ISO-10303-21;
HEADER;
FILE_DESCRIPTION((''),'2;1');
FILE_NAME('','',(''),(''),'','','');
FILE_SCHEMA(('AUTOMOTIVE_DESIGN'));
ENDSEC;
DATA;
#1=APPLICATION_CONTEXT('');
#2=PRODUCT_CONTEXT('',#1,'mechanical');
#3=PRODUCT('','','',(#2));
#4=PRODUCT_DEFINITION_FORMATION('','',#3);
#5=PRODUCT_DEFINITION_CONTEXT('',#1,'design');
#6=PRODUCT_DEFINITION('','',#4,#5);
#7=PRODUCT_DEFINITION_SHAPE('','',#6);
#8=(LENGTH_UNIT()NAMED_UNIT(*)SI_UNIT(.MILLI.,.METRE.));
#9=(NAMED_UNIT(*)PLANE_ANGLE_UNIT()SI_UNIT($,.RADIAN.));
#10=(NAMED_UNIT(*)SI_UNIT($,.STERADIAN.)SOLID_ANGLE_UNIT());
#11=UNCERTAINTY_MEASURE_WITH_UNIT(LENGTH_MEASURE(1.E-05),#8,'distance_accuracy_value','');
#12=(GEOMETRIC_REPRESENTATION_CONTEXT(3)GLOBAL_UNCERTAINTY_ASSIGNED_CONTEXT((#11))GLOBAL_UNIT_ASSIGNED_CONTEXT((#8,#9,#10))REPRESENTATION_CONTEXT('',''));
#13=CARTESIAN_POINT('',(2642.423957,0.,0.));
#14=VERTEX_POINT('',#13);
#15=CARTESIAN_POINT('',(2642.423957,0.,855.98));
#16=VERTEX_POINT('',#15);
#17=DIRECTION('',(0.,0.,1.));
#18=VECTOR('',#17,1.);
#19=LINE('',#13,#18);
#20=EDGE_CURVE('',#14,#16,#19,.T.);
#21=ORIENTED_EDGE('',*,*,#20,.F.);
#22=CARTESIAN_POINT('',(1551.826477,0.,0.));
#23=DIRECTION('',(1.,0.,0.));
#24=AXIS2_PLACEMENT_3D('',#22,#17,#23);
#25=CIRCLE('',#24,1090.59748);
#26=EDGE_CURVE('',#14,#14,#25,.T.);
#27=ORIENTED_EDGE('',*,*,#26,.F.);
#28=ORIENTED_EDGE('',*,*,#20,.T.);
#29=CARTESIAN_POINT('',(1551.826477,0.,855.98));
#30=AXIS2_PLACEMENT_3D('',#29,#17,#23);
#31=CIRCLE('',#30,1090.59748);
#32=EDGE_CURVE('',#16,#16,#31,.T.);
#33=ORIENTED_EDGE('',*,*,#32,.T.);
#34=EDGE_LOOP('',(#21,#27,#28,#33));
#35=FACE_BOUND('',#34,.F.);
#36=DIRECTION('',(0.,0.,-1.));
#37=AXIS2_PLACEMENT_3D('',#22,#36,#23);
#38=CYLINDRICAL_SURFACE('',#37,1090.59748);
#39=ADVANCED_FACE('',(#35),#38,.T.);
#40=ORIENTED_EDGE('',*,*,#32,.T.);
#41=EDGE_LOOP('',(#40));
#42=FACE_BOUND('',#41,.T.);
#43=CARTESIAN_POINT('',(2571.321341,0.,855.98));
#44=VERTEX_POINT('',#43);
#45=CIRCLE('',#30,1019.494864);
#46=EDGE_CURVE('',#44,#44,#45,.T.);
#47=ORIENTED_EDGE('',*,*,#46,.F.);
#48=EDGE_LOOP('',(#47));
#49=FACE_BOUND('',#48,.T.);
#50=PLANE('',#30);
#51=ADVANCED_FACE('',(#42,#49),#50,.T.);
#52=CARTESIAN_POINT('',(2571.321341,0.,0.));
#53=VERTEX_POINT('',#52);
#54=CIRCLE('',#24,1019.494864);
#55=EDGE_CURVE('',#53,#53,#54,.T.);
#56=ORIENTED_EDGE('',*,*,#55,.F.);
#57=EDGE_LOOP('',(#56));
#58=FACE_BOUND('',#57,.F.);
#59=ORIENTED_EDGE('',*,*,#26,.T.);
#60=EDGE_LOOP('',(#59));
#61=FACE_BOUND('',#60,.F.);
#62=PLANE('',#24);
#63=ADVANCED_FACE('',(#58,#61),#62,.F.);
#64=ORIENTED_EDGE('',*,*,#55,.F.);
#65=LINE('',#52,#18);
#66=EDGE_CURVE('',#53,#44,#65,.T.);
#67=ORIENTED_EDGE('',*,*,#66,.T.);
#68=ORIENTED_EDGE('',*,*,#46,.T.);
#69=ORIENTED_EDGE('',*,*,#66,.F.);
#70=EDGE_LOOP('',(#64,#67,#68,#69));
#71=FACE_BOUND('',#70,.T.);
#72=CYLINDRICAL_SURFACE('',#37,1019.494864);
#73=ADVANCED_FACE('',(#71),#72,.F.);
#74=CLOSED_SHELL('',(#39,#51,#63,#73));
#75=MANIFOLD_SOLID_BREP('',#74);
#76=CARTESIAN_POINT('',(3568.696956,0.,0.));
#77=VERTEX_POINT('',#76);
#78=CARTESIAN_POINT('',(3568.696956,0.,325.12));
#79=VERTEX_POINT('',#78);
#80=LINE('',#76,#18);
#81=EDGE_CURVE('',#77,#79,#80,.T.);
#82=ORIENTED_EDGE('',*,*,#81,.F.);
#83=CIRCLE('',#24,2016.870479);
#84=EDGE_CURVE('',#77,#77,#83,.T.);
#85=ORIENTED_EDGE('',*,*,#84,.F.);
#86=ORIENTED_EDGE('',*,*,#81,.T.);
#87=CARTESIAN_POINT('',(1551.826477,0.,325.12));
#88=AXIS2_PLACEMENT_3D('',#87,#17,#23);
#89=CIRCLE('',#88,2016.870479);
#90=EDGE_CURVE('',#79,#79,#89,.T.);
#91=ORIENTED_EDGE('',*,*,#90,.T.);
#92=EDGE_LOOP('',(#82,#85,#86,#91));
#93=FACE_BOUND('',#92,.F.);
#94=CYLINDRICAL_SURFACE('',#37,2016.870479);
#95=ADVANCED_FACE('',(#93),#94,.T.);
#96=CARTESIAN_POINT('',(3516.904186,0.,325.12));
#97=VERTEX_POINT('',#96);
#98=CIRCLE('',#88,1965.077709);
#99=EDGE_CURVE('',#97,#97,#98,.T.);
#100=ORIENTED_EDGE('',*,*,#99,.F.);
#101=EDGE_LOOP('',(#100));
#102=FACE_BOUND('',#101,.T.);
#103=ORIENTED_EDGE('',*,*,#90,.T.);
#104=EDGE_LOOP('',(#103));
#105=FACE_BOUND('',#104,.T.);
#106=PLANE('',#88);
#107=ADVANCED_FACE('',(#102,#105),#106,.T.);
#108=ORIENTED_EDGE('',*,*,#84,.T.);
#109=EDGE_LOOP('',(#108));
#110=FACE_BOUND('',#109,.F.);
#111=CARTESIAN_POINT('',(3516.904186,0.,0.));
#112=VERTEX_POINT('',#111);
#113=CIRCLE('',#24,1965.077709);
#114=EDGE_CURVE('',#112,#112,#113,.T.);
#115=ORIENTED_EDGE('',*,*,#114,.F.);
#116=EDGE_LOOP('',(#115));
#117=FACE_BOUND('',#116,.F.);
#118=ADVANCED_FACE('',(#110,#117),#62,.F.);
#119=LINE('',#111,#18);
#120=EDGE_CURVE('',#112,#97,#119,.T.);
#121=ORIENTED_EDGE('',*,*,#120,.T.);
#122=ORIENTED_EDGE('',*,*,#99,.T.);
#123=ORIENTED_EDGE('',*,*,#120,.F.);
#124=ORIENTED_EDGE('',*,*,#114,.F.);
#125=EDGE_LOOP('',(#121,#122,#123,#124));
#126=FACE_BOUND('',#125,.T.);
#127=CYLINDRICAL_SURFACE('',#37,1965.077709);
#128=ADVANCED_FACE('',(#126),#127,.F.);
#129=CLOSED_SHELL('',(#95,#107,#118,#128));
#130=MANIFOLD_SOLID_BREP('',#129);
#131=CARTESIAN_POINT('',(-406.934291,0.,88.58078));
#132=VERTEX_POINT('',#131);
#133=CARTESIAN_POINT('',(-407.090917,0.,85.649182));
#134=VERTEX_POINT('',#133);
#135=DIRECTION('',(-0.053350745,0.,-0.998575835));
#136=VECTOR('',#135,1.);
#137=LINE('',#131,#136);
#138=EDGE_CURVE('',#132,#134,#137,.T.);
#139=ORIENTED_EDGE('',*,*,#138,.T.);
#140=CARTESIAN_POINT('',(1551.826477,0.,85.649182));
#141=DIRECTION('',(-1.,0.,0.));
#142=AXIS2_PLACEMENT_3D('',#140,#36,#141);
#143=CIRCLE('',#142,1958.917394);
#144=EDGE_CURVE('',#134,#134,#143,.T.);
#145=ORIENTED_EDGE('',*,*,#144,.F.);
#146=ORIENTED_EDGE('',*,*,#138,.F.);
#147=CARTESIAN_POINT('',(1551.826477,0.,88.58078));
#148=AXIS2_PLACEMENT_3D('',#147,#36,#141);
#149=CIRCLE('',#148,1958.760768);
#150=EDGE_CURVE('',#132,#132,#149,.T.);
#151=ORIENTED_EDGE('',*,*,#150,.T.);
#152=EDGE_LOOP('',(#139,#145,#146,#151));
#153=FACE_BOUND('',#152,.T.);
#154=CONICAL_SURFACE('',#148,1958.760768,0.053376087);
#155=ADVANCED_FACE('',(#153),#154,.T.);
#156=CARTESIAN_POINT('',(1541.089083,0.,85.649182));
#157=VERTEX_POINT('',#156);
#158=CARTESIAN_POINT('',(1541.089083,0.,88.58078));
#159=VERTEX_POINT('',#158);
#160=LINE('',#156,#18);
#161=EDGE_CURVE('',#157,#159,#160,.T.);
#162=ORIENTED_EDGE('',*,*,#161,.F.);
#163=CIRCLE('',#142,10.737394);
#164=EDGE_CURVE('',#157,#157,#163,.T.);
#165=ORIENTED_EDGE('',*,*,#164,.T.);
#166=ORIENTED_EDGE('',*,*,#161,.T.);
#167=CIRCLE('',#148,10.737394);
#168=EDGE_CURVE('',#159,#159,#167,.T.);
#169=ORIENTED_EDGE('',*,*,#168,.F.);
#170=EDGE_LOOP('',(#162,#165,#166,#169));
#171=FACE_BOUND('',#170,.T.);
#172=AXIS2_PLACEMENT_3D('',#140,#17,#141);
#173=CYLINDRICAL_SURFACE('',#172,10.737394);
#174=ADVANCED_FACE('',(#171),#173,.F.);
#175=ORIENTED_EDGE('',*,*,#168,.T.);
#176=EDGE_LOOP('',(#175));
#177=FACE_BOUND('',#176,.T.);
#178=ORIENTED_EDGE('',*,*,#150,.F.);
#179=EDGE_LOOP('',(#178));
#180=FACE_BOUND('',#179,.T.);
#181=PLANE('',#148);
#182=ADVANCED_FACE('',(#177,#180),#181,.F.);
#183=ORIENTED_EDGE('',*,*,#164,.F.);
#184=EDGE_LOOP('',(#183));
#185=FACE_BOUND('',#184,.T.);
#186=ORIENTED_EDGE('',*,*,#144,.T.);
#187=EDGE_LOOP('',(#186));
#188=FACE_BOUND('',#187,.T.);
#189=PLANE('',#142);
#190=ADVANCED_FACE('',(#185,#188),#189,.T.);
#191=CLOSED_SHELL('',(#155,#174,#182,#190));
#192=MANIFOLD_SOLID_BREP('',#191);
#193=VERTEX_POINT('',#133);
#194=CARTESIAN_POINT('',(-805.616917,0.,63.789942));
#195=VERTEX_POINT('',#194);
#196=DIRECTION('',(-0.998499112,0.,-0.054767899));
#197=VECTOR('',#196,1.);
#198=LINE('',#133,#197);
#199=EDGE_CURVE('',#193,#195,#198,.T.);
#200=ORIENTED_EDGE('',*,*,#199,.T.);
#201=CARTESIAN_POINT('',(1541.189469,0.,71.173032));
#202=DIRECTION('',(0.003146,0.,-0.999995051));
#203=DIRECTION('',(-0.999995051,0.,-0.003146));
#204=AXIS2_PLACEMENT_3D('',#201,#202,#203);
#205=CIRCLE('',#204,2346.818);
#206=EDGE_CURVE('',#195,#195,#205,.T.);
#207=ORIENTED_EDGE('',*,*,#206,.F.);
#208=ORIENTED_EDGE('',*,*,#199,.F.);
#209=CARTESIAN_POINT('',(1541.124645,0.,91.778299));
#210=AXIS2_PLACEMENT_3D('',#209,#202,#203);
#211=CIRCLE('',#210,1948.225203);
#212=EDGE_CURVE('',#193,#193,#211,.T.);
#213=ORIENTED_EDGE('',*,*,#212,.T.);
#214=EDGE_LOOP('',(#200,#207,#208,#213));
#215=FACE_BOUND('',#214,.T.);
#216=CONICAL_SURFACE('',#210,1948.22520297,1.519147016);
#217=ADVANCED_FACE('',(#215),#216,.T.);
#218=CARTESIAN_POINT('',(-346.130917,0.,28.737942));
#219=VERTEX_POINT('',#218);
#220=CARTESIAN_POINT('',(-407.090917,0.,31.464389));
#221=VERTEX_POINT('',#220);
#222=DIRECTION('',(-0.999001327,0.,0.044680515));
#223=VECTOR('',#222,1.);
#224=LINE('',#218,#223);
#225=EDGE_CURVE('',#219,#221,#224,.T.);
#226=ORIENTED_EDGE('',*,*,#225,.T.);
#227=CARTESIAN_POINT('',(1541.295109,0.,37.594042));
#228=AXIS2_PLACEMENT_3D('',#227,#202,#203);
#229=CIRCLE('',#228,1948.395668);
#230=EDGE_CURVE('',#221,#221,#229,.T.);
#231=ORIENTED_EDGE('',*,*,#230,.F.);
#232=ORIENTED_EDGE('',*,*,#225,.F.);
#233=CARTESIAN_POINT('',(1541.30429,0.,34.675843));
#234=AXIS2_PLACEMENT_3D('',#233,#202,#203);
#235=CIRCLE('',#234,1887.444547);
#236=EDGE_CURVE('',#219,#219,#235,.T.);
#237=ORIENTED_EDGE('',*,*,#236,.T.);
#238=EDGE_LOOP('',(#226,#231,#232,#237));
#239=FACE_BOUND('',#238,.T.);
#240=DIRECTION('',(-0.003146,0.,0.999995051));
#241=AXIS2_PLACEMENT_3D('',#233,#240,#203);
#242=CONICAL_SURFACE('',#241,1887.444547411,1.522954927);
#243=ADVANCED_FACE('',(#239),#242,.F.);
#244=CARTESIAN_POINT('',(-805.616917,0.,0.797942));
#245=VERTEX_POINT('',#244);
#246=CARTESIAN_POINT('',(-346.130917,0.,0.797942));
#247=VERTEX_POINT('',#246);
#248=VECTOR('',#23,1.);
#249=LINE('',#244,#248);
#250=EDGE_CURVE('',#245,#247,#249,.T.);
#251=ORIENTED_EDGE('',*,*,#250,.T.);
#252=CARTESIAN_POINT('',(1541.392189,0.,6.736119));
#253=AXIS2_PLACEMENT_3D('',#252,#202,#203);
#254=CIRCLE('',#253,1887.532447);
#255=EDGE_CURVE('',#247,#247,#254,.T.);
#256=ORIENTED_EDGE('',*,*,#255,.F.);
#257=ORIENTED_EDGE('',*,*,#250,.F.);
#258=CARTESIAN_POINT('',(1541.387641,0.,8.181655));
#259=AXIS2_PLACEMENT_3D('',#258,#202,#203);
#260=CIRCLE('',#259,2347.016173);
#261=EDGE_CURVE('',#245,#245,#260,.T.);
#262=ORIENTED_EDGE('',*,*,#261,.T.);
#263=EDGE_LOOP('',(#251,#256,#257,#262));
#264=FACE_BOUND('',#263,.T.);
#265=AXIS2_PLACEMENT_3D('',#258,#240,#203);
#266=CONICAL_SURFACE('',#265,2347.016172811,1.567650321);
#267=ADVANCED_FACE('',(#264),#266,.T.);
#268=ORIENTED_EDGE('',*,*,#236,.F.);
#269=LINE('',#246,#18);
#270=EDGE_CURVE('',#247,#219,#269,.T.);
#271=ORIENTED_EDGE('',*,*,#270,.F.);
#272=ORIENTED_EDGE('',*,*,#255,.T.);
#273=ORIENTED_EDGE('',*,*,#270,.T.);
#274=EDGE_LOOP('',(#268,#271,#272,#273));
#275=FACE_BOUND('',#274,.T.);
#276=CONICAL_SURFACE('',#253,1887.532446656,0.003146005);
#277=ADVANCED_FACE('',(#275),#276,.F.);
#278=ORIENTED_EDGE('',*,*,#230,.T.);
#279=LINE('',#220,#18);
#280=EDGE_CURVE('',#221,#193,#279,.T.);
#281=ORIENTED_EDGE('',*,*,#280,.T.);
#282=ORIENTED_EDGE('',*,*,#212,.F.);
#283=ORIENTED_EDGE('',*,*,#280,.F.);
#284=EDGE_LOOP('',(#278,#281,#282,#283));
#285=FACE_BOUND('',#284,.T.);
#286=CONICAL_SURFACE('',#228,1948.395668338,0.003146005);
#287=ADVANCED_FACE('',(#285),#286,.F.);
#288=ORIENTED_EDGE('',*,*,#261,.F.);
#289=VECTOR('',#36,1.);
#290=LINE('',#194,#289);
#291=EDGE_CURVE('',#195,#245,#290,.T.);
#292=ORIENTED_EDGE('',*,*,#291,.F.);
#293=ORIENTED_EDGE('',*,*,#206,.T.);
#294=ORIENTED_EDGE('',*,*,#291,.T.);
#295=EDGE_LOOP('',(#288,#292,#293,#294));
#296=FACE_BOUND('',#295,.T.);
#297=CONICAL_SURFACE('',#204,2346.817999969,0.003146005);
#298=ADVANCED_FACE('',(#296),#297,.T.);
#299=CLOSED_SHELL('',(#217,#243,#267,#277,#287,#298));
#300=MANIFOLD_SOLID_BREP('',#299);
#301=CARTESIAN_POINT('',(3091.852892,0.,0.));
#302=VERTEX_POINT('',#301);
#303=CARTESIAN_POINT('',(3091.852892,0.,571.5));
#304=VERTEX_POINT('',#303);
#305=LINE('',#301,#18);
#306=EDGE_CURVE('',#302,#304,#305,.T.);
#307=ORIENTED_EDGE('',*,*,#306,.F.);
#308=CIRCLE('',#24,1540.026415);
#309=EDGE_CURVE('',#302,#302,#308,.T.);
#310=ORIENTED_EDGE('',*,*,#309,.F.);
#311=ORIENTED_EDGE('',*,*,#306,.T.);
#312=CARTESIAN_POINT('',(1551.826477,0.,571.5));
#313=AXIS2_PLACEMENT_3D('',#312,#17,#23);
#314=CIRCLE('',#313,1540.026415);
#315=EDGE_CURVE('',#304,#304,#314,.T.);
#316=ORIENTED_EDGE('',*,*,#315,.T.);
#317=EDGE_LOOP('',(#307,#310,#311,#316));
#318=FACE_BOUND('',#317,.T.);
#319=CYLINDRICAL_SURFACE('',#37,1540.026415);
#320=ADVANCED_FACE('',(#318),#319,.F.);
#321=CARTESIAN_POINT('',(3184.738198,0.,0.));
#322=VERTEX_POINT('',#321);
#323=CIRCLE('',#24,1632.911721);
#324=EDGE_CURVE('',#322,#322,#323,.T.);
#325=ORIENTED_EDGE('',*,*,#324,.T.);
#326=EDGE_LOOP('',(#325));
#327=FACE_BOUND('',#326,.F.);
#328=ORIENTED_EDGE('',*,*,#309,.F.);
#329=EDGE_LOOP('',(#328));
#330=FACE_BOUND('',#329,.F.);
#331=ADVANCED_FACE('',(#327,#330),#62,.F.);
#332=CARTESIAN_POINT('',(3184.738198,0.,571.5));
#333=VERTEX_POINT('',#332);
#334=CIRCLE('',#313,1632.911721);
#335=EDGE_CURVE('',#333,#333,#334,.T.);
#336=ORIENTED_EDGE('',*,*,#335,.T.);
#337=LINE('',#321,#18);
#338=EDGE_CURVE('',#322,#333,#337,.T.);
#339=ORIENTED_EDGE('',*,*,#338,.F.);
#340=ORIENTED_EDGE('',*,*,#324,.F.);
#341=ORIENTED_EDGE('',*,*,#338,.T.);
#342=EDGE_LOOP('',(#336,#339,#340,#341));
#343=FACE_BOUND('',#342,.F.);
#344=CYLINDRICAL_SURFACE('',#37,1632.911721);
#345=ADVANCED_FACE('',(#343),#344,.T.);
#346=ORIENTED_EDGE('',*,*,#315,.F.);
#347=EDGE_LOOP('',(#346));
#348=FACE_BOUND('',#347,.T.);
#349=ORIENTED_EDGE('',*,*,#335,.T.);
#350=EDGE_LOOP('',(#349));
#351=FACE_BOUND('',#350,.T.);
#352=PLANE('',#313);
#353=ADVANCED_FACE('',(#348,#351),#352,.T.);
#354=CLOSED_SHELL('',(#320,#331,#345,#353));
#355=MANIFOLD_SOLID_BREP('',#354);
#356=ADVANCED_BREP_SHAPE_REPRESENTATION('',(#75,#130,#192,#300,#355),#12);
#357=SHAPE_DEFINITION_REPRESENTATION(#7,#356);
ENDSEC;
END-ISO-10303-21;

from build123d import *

# Parameters (mm, degrees)
F2_R     = 2016.870479
F2_R_2   = 1965.077709
F3_DEPTH = 325.12
F2_R_3   = 1632.911721
F2_R_4   = 1540.026415
F4_DEPTH = 571.5
F2_R_5   = 1090.59748
F2_R_6   = 1019.494864
F5_DEPTH = 855.98


with BuildPart() as f1:
    # F0 (on Front) → F1 (revolve)
    with BuildSketch(Plane.XZ):
        Polygon((-805.616917, 0.797942), (-346.130917, 0.797942), (-346.130917, 28.737942), (-407.090917, 31.464389), (-407.090917, 85.649182), (-805.616917, 63.789942), align=None)
    revolve(axis=Axis((1541.172492, 0, 76.569489), (0.003146, 0, -0.999995)))


with BuildPart() as f3:
    # F2 (on Top) → F3 (new body)
    with BuildSketch(Plane.XY):
        with Locations((1551.826477, 0)):
            Circle(F2_R)
        with Locations((1551.826477, 0)):
            Circle(F2_R_2, mode=Mode.SUBTRACT)
    extrude(amount=F3_DEPTH)


with BuildPart() as f4:
    # F2 (on Top) → F4 (new body)
    with BuildSketch(Plane.XY):
        with Locations((1551.826477, 0)):
            Circle(F2_R_3)
        with Locations((1551.826477, 0)):
            Circle(F2_R_4, mode=Mode.SUBTRACT)
    extrude(amount=F4_DEPTH)


with BuildPart() as f5:
    # F2 (on Top) → F5 (new body)
    with BuildSketch(Plane.XY):
        with Locations((1551.826477, 0)):
            Circle(F2_R_5)
        with Locations((1551.826477, 0)):
            Circle(F2_R_6, mode=Mode.SUBTRACT)
    extrude(amount=F5_DEPTH)


with BuildPart() as f6:
    # F0 (on Front) → F6 (revolve)
    with BuildSketch(Plane.XZ):
        Polygon((-406.934291, 88.58078), (-407.090917, 85.649182), (1541.089083, 85.649182), (1541.089083, 88.58078), align=None)
    revolve(axis=Axis((1551.826477, 0, 0), (0, 0, -1)))


solid = Compound([f1.part, f3.part, f4.part, f5.part, f6.part])
